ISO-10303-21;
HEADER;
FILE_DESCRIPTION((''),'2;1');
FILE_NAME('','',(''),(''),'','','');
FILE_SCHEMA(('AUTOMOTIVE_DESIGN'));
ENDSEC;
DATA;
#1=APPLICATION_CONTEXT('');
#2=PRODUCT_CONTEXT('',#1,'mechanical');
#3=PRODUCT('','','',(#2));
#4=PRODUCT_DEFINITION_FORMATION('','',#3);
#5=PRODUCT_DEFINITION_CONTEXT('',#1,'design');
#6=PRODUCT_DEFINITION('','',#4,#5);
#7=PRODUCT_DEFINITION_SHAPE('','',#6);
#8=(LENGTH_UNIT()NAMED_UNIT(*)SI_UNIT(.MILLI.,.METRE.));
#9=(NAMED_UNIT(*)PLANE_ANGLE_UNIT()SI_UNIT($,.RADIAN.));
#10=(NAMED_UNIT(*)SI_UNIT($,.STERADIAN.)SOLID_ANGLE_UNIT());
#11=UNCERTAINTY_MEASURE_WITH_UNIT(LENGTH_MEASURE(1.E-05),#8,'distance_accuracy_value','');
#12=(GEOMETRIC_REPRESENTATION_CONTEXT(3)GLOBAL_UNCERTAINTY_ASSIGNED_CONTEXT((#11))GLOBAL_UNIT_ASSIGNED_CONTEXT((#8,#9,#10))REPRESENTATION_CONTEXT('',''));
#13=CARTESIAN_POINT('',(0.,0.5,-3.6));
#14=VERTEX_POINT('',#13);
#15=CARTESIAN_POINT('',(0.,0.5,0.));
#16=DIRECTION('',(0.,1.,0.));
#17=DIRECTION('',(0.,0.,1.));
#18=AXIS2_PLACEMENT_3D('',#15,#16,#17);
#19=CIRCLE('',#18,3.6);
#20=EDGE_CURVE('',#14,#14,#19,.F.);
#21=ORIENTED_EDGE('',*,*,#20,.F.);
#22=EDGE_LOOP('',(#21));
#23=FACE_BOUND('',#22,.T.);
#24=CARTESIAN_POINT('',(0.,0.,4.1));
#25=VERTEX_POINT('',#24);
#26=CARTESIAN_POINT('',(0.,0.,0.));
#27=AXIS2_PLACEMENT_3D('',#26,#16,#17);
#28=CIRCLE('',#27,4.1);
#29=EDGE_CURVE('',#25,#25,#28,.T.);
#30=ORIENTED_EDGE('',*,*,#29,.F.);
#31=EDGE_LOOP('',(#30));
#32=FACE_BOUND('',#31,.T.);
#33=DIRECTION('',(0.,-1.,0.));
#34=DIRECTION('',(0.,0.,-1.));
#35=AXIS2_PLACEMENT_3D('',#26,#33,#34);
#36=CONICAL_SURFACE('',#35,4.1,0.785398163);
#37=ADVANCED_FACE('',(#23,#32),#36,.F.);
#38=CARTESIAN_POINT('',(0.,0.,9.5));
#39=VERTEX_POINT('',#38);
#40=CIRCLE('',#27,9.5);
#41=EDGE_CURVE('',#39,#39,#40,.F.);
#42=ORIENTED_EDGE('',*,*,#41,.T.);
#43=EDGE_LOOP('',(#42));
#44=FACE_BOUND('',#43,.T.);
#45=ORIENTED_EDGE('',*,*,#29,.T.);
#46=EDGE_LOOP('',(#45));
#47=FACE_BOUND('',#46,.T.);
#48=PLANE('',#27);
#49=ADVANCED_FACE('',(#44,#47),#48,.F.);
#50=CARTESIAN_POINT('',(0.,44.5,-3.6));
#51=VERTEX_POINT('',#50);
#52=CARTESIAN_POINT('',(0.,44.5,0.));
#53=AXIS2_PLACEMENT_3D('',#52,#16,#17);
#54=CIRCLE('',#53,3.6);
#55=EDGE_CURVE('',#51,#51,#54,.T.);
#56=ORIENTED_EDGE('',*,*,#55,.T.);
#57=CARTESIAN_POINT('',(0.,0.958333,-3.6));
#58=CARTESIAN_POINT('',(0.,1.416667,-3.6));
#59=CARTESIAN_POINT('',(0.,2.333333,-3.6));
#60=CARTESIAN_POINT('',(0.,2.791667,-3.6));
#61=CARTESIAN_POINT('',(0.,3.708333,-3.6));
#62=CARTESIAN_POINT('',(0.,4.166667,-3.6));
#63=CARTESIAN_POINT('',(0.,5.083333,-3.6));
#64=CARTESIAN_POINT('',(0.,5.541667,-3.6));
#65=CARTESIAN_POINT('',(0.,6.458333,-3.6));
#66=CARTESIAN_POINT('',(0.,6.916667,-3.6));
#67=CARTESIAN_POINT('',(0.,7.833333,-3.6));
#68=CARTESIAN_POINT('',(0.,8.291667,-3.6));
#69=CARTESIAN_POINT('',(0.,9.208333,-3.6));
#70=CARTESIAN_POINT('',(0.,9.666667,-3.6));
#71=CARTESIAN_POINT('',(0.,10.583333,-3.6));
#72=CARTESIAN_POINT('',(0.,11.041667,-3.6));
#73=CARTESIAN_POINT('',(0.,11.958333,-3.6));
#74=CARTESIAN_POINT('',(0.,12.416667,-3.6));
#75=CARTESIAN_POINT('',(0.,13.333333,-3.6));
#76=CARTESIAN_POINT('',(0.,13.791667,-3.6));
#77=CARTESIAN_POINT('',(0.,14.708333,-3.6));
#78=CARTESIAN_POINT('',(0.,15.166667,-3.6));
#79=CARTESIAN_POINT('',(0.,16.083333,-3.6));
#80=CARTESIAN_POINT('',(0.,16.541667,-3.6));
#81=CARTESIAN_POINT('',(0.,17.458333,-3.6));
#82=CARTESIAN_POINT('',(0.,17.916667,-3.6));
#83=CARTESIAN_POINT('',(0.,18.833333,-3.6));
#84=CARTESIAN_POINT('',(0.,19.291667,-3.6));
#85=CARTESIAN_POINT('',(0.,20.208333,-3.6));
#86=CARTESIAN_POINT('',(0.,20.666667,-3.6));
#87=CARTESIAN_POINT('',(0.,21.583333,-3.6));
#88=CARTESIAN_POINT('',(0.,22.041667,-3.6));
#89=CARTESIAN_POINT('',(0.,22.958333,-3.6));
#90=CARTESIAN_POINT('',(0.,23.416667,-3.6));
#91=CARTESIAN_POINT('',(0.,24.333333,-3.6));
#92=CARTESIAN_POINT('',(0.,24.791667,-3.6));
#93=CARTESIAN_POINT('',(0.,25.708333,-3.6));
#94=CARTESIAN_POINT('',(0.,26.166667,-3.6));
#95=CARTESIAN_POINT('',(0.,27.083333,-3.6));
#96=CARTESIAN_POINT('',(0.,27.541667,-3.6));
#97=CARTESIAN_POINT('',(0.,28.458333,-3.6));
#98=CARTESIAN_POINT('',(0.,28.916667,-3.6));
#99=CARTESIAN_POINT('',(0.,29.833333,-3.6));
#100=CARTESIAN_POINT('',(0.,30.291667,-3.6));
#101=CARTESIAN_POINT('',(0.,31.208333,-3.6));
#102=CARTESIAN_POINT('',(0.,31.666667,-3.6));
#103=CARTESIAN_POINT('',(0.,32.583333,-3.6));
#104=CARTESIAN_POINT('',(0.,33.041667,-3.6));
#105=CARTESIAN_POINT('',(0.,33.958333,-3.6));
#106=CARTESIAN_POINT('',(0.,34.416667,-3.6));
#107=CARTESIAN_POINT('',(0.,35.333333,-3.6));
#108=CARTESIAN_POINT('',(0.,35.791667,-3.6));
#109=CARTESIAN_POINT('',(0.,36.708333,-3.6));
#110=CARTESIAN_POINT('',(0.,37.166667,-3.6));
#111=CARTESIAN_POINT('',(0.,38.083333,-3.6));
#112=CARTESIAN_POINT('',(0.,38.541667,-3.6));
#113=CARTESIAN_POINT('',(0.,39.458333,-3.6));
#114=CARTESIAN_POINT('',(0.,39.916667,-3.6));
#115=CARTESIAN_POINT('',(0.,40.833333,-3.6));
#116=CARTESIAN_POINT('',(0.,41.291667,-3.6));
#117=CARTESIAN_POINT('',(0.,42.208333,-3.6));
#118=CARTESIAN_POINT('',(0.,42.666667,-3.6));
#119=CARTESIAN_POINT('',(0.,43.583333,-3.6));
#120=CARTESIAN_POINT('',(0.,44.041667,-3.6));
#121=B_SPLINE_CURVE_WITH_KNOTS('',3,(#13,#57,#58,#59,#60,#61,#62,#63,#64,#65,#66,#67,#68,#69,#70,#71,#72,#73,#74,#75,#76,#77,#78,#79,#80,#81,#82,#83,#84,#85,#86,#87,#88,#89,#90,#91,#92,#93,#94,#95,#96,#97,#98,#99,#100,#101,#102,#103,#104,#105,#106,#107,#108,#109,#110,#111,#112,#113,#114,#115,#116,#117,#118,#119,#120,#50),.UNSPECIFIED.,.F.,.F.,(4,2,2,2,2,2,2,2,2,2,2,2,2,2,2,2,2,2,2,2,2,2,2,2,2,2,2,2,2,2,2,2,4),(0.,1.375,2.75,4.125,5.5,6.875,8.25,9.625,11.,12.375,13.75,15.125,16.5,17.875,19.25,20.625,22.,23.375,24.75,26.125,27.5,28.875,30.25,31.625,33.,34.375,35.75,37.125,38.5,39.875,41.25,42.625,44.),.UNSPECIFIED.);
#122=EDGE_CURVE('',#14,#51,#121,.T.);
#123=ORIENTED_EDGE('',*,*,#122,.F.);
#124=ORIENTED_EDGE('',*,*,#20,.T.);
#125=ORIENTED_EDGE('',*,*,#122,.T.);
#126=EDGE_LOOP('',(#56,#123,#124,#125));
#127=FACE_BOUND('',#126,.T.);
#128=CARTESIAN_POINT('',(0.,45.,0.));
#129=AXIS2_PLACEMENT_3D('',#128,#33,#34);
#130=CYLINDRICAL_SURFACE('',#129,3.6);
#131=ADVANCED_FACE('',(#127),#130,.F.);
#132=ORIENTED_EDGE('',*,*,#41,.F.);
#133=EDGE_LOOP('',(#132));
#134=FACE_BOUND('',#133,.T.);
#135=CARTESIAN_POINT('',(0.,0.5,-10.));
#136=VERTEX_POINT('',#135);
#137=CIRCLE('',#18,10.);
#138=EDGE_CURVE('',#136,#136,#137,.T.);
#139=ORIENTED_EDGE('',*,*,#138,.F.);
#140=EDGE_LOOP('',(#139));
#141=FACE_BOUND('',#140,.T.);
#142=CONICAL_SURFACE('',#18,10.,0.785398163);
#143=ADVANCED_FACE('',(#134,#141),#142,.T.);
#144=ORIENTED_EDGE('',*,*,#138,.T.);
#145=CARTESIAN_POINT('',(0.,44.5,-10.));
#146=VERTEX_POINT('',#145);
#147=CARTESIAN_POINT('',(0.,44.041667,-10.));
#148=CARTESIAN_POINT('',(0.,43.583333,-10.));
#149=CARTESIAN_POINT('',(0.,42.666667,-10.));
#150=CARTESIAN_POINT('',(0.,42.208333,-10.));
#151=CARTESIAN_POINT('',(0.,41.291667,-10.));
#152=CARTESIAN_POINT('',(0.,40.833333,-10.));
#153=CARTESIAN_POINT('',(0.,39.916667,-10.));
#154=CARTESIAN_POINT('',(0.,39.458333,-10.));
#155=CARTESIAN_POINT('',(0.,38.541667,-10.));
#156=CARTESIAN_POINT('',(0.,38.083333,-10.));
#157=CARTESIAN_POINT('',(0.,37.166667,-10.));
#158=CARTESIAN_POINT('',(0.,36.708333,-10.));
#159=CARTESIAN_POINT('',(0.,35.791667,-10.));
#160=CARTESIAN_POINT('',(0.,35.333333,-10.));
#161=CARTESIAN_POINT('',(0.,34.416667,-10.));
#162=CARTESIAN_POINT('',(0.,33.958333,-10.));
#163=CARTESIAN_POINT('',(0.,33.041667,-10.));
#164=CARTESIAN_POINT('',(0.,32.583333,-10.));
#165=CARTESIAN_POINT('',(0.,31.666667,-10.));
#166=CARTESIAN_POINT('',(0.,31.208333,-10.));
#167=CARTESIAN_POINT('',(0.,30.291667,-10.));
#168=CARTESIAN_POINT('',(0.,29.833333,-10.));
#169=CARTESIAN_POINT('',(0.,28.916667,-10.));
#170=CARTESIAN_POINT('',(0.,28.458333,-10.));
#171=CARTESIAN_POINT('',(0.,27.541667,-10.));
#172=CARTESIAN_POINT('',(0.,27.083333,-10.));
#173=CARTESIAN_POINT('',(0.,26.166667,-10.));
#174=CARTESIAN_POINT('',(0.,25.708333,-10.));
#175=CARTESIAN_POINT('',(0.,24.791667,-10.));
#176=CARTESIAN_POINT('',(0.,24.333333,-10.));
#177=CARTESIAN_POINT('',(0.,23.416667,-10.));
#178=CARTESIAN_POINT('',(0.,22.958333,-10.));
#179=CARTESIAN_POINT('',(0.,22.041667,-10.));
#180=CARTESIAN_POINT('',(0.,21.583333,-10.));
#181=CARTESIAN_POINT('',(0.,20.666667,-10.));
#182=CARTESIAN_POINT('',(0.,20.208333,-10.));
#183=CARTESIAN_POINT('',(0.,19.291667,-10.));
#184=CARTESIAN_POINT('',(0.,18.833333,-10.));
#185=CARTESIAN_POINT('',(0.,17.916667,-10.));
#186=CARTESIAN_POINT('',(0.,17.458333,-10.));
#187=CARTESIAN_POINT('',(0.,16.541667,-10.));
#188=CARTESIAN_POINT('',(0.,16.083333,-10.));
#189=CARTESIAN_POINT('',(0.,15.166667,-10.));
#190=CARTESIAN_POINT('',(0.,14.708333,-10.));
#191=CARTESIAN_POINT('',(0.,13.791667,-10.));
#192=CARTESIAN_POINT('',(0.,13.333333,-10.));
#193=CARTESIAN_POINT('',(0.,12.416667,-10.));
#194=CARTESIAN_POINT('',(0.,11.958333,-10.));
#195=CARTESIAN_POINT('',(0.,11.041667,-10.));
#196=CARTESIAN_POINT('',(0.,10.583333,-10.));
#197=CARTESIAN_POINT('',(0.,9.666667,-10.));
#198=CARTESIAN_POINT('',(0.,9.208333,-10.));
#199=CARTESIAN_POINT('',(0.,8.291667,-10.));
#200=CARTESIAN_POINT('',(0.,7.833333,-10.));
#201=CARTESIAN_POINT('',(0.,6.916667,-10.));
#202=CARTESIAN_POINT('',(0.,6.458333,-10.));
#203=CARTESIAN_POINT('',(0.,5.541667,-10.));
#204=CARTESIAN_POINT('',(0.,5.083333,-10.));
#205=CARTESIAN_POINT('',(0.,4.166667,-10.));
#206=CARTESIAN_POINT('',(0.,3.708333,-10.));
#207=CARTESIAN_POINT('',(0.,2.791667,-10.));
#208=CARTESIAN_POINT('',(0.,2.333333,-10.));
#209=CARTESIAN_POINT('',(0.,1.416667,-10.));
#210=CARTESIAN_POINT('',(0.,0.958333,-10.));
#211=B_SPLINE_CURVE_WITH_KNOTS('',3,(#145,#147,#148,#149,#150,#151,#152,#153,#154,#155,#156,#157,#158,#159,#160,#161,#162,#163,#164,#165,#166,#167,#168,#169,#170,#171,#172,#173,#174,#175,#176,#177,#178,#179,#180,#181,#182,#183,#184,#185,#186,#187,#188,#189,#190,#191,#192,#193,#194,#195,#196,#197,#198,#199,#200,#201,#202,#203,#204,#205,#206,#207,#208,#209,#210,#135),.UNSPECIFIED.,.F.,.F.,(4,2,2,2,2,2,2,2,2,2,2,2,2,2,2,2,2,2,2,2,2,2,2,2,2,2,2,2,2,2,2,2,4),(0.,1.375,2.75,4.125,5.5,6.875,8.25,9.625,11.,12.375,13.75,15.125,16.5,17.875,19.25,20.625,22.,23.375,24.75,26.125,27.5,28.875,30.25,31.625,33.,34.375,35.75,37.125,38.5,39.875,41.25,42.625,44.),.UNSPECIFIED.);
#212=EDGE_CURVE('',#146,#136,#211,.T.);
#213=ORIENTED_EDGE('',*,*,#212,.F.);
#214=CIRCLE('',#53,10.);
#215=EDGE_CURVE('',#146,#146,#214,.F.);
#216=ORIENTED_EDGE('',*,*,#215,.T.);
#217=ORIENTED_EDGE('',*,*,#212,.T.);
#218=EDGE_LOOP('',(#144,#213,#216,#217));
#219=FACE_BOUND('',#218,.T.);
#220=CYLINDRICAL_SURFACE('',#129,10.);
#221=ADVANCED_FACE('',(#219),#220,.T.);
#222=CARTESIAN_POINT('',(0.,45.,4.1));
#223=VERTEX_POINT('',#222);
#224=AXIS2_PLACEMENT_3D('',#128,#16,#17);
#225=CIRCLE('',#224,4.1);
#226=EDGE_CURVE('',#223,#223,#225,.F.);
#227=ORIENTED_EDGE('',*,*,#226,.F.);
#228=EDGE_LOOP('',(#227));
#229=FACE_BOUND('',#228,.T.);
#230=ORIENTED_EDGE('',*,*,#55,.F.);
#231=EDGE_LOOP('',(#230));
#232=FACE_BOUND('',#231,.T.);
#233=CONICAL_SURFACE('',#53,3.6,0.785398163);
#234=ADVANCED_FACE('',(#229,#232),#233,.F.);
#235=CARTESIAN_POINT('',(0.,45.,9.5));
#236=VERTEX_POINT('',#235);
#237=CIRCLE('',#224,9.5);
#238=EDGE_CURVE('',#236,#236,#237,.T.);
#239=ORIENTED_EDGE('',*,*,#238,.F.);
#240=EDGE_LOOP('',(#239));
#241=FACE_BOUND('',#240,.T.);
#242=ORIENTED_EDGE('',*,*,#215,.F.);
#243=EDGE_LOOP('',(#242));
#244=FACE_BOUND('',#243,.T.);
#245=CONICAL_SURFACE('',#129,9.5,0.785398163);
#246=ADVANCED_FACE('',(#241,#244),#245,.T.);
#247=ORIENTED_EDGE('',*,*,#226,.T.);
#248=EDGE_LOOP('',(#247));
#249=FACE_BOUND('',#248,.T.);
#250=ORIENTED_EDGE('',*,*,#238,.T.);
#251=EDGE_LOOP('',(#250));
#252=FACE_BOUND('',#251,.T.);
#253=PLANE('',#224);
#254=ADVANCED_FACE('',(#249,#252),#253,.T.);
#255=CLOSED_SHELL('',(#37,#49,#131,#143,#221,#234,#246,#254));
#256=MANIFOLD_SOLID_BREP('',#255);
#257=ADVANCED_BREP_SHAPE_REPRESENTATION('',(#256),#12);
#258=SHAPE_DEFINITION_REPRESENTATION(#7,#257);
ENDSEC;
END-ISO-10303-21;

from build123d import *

# Parameters (mm, degrees)
SKICA2_R                = 10
SKICA2_R_2              = 3.6
P_IDAT_VYSUNUT_M1_DEPTH = 45
ZKOSEN_1_SIZE           = 0.5


with BuildPart() as part:
    # Skica2 → Přidat vysunutím1 (new body)
    with BuildSketch(Plane(origin=(0, 0, 0), x_dir=(1, 0, 0), z_dir=(0, 1, 0))):
        with Locations(Location((0, 0, 0), (0, 0, 90))):
            Circle(SKICA2_R)
        with Locations(Location((0, 0, 0), (0, 0, 90))):
            Circle(SKICA2_R_2, mode=Mode.SUBTRACT)
    extrude(amount=P_IDAT_VYSUNUT_M1_DEPTH)

    # Zkosení1
    zkosen_1_edges = [part.edges().sort_by_distance(p)[0] for p in [
        (0, 0, 10),
        (0, 45, 10),
        (0, 0, 3.6),
        (0, 45, 3.6),
    ]]
    chamfer(zkosen_1_edges, length=ZKOSEN_1_SIZE)


solid = part.part
